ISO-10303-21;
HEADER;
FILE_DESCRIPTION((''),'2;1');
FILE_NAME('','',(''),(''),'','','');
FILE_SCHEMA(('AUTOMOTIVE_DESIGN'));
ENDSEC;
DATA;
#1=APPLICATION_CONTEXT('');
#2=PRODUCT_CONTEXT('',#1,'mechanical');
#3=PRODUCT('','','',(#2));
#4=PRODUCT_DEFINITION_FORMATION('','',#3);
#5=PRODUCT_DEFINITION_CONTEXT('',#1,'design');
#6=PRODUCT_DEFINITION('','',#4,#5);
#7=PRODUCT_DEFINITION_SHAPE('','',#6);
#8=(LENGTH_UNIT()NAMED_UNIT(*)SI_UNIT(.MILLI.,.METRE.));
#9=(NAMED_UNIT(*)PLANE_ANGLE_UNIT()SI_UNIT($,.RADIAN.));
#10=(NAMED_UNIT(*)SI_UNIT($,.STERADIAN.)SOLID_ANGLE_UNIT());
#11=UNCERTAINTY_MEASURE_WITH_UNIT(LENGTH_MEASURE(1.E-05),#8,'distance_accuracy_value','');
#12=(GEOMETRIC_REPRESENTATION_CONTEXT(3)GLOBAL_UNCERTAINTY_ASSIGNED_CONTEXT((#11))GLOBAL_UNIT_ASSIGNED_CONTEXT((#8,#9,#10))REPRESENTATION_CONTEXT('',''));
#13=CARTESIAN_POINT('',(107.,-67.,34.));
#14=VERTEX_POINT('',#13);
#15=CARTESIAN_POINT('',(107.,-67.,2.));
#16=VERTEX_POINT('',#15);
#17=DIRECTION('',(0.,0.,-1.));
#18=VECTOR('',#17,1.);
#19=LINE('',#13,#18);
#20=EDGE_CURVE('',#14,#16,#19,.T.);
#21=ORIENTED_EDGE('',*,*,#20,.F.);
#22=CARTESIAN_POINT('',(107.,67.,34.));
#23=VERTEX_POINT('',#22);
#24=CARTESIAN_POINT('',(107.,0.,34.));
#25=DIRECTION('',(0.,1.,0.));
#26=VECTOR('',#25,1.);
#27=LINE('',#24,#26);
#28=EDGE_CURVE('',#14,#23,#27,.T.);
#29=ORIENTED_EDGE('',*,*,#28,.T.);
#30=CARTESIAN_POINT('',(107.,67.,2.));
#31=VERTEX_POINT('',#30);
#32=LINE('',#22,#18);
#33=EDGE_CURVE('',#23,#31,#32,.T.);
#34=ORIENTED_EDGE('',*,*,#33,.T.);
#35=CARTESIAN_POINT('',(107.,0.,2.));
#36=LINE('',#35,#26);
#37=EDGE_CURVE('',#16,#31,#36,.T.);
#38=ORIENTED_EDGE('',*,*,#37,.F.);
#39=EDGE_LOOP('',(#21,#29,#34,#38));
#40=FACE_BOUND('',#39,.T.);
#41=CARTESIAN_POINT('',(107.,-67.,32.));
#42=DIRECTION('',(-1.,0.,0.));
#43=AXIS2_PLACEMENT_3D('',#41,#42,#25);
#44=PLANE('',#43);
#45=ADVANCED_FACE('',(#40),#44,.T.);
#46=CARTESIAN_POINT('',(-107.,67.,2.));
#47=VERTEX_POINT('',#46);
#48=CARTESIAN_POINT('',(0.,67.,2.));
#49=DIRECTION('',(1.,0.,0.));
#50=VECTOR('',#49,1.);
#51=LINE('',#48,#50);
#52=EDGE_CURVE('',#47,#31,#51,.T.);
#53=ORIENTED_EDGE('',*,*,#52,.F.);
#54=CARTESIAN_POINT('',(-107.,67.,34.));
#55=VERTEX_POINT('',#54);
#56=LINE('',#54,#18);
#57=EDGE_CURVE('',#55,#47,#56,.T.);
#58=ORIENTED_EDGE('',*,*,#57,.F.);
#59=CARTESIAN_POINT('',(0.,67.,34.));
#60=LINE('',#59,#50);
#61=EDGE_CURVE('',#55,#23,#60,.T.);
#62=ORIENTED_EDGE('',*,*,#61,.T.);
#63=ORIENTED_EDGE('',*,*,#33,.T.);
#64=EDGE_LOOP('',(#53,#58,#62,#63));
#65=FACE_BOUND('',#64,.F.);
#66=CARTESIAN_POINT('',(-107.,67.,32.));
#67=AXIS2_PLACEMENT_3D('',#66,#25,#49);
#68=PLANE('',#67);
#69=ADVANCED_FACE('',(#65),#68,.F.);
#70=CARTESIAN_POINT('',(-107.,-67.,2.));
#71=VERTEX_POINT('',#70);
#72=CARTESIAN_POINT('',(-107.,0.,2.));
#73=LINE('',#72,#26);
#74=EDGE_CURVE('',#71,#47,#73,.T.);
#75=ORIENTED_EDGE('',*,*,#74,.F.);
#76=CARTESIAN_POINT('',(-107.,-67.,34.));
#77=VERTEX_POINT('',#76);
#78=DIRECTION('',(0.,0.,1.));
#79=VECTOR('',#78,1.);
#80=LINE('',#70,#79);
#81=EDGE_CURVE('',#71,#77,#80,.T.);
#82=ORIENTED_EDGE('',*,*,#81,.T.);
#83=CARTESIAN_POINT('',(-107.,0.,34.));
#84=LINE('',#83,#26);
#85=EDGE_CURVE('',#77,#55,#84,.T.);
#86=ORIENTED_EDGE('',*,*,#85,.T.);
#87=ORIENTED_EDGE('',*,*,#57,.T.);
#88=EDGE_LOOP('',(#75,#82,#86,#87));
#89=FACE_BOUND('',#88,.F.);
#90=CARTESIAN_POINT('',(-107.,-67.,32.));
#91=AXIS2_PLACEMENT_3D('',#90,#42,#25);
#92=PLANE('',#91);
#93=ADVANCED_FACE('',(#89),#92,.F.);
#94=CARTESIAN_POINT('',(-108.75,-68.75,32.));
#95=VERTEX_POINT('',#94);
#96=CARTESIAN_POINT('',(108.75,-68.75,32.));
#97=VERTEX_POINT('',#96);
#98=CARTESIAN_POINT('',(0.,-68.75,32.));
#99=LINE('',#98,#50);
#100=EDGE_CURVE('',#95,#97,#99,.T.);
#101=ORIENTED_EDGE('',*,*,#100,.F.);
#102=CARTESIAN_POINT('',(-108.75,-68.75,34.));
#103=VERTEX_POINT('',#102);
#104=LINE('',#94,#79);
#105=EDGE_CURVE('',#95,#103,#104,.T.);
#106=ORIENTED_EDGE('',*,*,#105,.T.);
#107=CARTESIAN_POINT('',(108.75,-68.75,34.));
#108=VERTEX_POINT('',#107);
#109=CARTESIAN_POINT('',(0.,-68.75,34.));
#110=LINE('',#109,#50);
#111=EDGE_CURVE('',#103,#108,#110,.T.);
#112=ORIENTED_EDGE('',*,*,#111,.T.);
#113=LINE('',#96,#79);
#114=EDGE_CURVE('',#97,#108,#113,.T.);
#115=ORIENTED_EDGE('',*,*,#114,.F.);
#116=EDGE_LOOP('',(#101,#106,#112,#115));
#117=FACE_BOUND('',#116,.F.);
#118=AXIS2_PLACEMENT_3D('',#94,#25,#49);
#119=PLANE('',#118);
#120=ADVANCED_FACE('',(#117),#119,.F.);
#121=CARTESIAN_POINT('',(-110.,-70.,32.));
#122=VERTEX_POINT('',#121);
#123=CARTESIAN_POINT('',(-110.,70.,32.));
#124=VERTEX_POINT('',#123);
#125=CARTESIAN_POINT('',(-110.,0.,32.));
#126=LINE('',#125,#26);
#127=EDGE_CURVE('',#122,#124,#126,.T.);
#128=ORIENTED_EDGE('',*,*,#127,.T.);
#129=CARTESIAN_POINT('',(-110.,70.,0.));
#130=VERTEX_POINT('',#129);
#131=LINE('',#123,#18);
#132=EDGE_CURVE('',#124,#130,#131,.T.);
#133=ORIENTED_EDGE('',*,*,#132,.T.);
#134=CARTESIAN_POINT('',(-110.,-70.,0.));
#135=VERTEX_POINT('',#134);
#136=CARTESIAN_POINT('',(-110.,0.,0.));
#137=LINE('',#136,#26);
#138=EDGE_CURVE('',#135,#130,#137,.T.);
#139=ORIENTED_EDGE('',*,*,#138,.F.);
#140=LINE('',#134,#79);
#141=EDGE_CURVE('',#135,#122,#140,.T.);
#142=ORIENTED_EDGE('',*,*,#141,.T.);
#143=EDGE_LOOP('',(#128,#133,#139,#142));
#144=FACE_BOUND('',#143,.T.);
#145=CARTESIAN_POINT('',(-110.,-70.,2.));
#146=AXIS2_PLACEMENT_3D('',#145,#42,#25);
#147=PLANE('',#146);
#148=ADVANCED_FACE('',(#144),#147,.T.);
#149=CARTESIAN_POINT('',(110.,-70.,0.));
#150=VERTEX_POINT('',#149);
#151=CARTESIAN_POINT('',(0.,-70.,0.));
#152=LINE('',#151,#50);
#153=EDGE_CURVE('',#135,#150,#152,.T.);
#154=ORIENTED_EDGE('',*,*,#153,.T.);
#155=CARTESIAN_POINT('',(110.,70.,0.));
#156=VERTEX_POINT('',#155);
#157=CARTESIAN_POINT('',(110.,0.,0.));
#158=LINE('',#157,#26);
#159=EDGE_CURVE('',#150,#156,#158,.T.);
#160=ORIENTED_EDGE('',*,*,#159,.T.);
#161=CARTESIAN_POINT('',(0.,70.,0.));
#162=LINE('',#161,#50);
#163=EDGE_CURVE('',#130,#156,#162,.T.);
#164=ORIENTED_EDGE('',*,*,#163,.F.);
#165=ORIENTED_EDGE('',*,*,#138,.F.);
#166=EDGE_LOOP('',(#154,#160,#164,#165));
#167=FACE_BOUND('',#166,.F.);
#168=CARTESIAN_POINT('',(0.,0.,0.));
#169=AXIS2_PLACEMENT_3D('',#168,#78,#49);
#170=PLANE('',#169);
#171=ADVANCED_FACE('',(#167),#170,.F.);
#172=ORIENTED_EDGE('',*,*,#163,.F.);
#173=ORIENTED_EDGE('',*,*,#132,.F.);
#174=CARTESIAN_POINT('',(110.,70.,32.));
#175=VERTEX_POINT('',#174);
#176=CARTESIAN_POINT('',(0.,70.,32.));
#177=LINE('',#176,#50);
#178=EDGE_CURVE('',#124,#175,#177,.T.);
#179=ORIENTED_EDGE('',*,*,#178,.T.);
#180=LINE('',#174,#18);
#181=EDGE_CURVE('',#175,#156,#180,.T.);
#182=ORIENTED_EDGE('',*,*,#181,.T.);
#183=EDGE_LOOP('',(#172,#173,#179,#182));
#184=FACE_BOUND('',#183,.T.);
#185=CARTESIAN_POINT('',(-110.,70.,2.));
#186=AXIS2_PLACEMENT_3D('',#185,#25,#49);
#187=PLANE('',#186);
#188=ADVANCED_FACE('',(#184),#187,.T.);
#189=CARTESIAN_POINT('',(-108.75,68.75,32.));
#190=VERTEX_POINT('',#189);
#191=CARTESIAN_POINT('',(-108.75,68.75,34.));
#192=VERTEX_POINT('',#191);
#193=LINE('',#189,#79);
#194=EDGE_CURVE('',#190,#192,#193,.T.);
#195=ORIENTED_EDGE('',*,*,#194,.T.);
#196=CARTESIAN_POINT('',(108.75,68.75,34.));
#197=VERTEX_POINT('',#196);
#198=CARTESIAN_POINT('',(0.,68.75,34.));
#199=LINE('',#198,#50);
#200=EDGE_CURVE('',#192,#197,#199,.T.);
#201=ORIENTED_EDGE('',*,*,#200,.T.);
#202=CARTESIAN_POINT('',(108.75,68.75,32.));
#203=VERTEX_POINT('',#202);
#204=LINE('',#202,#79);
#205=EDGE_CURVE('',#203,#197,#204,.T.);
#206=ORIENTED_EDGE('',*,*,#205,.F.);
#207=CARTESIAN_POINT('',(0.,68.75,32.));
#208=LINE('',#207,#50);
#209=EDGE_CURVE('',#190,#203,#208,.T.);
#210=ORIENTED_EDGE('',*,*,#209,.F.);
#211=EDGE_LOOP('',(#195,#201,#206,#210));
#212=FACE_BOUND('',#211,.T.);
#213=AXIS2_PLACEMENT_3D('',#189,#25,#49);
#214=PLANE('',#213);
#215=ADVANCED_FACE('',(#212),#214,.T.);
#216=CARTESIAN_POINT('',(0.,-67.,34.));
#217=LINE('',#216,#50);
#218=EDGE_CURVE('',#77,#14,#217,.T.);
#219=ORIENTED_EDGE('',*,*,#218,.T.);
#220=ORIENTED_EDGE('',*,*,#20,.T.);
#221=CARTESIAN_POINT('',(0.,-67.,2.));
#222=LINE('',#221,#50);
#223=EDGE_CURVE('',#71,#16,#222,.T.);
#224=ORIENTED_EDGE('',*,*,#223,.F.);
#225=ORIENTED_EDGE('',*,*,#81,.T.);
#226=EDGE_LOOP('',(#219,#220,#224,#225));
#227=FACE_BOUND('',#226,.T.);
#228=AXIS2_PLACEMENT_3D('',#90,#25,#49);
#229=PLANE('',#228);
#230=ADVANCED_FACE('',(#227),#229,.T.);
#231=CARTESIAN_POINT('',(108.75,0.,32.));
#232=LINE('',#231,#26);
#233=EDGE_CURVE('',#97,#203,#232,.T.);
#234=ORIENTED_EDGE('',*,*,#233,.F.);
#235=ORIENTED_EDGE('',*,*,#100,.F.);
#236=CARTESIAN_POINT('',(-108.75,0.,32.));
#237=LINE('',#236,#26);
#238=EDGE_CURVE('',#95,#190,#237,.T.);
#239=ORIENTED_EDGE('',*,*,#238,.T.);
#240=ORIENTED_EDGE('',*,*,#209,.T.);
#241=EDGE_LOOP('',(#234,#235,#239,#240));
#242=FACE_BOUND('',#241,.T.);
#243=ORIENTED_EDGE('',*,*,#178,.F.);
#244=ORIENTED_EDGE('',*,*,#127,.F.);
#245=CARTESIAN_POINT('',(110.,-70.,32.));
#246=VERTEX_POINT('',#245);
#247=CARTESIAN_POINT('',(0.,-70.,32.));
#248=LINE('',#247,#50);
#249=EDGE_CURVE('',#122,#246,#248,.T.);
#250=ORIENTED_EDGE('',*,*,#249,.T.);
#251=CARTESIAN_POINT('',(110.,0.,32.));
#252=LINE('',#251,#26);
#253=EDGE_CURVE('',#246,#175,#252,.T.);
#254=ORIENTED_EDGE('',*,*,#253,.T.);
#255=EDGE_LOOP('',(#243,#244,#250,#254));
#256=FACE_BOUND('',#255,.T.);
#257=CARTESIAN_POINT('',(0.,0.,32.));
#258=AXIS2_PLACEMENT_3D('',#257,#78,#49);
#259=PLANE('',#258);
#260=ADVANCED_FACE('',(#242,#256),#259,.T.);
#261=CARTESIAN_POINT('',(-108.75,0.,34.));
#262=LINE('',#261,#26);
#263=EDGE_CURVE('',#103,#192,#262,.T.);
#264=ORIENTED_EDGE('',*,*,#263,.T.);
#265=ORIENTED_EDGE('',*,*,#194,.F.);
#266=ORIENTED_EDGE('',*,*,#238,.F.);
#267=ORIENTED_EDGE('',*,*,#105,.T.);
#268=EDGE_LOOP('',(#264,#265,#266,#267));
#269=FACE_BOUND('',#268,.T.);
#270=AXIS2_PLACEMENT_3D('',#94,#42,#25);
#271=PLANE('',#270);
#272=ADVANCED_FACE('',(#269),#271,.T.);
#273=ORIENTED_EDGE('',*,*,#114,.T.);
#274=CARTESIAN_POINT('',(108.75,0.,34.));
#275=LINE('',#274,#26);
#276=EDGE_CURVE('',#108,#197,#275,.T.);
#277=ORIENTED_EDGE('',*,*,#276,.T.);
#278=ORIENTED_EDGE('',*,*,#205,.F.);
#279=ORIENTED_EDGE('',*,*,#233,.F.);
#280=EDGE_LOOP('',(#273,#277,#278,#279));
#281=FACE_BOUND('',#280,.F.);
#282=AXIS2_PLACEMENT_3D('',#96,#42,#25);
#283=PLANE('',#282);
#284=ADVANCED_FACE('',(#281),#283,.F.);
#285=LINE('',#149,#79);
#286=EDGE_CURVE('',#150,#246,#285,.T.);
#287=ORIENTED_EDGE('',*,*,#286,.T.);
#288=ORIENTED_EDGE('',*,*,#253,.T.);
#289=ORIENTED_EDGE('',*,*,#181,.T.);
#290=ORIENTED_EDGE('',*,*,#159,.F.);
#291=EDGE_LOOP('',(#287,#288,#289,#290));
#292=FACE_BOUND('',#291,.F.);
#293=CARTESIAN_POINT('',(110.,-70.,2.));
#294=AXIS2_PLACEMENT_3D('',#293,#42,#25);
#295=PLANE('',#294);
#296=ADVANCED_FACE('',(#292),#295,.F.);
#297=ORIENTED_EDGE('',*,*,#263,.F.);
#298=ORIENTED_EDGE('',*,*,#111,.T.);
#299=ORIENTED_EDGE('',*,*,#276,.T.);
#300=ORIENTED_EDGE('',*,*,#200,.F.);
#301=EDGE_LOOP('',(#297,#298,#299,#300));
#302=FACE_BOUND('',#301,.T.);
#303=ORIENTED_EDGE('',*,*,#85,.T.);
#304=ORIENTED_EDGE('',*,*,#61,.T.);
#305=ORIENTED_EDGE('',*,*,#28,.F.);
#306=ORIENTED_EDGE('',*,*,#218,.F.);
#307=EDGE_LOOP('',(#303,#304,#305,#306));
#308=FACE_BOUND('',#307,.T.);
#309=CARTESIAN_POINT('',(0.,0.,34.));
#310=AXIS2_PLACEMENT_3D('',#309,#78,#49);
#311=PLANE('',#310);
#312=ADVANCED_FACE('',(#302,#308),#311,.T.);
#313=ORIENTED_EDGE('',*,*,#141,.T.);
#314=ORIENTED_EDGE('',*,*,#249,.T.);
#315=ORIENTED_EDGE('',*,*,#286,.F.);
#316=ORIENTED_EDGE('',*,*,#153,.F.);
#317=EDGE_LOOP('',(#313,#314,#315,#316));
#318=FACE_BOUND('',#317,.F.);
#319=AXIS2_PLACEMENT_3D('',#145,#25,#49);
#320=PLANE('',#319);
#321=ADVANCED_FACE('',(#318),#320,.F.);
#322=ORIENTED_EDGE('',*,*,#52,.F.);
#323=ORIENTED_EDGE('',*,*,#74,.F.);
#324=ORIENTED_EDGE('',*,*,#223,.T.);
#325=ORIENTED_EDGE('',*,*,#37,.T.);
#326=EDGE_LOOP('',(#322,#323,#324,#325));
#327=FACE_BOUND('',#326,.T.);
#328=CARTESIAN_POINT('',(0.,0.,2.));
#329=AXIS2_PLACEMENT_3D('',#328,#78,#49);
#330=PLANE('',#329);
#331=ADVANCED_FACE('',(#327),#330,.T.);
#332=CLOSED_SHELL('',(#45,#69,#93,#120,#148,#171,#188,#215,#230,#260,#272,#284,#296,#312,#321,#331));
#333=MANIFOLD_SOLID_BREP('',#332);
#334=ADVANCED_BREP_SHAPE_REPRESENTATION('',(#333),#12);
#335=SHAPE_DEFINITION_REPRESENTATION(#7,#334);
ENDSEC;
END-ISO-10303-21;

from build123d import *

# Parameters (mm, degrees)
F0_W     = 220
F0_H     = 140
F1_DEPTH = 2
F2_W     = 220
F2_H     = 140
F2_W_2   = 214
F2_H_2   = 134
F3_DEPTH = 30
F4_W     = 217.5
F4_H     = 137.5
F4_W_2   = 214
F4_H_2   = 134
F5_DEPTH = 2


with BuildPart() as f1:
    # F0 (on Top) → F1 (new body)
    with BuildSketch(Plane.XY):
        Rectangle(F0_W, F0_H)
    extrude(amount=F1_DEPTH)

    # F2 (on face) → F3 (join)
    with BuildSketch(Plane.XY.offset(2)):
        Rectangle(F2_W, F2_H)
        Rectangle(F2_W_2, F2_H_2, mode=Mode.SUBTRACT)
    extrude(amount=F3_DEPTH)

    # F4 (on face) → F5 (join)
    with BuildSketch(Plane.XY.offset(32)):
        Rectangle(F4_W, F4_H)
        Rectangle(F4_W_2, F4_H_2, mode=Mode.SUBTRACT)
    extrude(amount=F5_DEPTH)


solid = f1.part
